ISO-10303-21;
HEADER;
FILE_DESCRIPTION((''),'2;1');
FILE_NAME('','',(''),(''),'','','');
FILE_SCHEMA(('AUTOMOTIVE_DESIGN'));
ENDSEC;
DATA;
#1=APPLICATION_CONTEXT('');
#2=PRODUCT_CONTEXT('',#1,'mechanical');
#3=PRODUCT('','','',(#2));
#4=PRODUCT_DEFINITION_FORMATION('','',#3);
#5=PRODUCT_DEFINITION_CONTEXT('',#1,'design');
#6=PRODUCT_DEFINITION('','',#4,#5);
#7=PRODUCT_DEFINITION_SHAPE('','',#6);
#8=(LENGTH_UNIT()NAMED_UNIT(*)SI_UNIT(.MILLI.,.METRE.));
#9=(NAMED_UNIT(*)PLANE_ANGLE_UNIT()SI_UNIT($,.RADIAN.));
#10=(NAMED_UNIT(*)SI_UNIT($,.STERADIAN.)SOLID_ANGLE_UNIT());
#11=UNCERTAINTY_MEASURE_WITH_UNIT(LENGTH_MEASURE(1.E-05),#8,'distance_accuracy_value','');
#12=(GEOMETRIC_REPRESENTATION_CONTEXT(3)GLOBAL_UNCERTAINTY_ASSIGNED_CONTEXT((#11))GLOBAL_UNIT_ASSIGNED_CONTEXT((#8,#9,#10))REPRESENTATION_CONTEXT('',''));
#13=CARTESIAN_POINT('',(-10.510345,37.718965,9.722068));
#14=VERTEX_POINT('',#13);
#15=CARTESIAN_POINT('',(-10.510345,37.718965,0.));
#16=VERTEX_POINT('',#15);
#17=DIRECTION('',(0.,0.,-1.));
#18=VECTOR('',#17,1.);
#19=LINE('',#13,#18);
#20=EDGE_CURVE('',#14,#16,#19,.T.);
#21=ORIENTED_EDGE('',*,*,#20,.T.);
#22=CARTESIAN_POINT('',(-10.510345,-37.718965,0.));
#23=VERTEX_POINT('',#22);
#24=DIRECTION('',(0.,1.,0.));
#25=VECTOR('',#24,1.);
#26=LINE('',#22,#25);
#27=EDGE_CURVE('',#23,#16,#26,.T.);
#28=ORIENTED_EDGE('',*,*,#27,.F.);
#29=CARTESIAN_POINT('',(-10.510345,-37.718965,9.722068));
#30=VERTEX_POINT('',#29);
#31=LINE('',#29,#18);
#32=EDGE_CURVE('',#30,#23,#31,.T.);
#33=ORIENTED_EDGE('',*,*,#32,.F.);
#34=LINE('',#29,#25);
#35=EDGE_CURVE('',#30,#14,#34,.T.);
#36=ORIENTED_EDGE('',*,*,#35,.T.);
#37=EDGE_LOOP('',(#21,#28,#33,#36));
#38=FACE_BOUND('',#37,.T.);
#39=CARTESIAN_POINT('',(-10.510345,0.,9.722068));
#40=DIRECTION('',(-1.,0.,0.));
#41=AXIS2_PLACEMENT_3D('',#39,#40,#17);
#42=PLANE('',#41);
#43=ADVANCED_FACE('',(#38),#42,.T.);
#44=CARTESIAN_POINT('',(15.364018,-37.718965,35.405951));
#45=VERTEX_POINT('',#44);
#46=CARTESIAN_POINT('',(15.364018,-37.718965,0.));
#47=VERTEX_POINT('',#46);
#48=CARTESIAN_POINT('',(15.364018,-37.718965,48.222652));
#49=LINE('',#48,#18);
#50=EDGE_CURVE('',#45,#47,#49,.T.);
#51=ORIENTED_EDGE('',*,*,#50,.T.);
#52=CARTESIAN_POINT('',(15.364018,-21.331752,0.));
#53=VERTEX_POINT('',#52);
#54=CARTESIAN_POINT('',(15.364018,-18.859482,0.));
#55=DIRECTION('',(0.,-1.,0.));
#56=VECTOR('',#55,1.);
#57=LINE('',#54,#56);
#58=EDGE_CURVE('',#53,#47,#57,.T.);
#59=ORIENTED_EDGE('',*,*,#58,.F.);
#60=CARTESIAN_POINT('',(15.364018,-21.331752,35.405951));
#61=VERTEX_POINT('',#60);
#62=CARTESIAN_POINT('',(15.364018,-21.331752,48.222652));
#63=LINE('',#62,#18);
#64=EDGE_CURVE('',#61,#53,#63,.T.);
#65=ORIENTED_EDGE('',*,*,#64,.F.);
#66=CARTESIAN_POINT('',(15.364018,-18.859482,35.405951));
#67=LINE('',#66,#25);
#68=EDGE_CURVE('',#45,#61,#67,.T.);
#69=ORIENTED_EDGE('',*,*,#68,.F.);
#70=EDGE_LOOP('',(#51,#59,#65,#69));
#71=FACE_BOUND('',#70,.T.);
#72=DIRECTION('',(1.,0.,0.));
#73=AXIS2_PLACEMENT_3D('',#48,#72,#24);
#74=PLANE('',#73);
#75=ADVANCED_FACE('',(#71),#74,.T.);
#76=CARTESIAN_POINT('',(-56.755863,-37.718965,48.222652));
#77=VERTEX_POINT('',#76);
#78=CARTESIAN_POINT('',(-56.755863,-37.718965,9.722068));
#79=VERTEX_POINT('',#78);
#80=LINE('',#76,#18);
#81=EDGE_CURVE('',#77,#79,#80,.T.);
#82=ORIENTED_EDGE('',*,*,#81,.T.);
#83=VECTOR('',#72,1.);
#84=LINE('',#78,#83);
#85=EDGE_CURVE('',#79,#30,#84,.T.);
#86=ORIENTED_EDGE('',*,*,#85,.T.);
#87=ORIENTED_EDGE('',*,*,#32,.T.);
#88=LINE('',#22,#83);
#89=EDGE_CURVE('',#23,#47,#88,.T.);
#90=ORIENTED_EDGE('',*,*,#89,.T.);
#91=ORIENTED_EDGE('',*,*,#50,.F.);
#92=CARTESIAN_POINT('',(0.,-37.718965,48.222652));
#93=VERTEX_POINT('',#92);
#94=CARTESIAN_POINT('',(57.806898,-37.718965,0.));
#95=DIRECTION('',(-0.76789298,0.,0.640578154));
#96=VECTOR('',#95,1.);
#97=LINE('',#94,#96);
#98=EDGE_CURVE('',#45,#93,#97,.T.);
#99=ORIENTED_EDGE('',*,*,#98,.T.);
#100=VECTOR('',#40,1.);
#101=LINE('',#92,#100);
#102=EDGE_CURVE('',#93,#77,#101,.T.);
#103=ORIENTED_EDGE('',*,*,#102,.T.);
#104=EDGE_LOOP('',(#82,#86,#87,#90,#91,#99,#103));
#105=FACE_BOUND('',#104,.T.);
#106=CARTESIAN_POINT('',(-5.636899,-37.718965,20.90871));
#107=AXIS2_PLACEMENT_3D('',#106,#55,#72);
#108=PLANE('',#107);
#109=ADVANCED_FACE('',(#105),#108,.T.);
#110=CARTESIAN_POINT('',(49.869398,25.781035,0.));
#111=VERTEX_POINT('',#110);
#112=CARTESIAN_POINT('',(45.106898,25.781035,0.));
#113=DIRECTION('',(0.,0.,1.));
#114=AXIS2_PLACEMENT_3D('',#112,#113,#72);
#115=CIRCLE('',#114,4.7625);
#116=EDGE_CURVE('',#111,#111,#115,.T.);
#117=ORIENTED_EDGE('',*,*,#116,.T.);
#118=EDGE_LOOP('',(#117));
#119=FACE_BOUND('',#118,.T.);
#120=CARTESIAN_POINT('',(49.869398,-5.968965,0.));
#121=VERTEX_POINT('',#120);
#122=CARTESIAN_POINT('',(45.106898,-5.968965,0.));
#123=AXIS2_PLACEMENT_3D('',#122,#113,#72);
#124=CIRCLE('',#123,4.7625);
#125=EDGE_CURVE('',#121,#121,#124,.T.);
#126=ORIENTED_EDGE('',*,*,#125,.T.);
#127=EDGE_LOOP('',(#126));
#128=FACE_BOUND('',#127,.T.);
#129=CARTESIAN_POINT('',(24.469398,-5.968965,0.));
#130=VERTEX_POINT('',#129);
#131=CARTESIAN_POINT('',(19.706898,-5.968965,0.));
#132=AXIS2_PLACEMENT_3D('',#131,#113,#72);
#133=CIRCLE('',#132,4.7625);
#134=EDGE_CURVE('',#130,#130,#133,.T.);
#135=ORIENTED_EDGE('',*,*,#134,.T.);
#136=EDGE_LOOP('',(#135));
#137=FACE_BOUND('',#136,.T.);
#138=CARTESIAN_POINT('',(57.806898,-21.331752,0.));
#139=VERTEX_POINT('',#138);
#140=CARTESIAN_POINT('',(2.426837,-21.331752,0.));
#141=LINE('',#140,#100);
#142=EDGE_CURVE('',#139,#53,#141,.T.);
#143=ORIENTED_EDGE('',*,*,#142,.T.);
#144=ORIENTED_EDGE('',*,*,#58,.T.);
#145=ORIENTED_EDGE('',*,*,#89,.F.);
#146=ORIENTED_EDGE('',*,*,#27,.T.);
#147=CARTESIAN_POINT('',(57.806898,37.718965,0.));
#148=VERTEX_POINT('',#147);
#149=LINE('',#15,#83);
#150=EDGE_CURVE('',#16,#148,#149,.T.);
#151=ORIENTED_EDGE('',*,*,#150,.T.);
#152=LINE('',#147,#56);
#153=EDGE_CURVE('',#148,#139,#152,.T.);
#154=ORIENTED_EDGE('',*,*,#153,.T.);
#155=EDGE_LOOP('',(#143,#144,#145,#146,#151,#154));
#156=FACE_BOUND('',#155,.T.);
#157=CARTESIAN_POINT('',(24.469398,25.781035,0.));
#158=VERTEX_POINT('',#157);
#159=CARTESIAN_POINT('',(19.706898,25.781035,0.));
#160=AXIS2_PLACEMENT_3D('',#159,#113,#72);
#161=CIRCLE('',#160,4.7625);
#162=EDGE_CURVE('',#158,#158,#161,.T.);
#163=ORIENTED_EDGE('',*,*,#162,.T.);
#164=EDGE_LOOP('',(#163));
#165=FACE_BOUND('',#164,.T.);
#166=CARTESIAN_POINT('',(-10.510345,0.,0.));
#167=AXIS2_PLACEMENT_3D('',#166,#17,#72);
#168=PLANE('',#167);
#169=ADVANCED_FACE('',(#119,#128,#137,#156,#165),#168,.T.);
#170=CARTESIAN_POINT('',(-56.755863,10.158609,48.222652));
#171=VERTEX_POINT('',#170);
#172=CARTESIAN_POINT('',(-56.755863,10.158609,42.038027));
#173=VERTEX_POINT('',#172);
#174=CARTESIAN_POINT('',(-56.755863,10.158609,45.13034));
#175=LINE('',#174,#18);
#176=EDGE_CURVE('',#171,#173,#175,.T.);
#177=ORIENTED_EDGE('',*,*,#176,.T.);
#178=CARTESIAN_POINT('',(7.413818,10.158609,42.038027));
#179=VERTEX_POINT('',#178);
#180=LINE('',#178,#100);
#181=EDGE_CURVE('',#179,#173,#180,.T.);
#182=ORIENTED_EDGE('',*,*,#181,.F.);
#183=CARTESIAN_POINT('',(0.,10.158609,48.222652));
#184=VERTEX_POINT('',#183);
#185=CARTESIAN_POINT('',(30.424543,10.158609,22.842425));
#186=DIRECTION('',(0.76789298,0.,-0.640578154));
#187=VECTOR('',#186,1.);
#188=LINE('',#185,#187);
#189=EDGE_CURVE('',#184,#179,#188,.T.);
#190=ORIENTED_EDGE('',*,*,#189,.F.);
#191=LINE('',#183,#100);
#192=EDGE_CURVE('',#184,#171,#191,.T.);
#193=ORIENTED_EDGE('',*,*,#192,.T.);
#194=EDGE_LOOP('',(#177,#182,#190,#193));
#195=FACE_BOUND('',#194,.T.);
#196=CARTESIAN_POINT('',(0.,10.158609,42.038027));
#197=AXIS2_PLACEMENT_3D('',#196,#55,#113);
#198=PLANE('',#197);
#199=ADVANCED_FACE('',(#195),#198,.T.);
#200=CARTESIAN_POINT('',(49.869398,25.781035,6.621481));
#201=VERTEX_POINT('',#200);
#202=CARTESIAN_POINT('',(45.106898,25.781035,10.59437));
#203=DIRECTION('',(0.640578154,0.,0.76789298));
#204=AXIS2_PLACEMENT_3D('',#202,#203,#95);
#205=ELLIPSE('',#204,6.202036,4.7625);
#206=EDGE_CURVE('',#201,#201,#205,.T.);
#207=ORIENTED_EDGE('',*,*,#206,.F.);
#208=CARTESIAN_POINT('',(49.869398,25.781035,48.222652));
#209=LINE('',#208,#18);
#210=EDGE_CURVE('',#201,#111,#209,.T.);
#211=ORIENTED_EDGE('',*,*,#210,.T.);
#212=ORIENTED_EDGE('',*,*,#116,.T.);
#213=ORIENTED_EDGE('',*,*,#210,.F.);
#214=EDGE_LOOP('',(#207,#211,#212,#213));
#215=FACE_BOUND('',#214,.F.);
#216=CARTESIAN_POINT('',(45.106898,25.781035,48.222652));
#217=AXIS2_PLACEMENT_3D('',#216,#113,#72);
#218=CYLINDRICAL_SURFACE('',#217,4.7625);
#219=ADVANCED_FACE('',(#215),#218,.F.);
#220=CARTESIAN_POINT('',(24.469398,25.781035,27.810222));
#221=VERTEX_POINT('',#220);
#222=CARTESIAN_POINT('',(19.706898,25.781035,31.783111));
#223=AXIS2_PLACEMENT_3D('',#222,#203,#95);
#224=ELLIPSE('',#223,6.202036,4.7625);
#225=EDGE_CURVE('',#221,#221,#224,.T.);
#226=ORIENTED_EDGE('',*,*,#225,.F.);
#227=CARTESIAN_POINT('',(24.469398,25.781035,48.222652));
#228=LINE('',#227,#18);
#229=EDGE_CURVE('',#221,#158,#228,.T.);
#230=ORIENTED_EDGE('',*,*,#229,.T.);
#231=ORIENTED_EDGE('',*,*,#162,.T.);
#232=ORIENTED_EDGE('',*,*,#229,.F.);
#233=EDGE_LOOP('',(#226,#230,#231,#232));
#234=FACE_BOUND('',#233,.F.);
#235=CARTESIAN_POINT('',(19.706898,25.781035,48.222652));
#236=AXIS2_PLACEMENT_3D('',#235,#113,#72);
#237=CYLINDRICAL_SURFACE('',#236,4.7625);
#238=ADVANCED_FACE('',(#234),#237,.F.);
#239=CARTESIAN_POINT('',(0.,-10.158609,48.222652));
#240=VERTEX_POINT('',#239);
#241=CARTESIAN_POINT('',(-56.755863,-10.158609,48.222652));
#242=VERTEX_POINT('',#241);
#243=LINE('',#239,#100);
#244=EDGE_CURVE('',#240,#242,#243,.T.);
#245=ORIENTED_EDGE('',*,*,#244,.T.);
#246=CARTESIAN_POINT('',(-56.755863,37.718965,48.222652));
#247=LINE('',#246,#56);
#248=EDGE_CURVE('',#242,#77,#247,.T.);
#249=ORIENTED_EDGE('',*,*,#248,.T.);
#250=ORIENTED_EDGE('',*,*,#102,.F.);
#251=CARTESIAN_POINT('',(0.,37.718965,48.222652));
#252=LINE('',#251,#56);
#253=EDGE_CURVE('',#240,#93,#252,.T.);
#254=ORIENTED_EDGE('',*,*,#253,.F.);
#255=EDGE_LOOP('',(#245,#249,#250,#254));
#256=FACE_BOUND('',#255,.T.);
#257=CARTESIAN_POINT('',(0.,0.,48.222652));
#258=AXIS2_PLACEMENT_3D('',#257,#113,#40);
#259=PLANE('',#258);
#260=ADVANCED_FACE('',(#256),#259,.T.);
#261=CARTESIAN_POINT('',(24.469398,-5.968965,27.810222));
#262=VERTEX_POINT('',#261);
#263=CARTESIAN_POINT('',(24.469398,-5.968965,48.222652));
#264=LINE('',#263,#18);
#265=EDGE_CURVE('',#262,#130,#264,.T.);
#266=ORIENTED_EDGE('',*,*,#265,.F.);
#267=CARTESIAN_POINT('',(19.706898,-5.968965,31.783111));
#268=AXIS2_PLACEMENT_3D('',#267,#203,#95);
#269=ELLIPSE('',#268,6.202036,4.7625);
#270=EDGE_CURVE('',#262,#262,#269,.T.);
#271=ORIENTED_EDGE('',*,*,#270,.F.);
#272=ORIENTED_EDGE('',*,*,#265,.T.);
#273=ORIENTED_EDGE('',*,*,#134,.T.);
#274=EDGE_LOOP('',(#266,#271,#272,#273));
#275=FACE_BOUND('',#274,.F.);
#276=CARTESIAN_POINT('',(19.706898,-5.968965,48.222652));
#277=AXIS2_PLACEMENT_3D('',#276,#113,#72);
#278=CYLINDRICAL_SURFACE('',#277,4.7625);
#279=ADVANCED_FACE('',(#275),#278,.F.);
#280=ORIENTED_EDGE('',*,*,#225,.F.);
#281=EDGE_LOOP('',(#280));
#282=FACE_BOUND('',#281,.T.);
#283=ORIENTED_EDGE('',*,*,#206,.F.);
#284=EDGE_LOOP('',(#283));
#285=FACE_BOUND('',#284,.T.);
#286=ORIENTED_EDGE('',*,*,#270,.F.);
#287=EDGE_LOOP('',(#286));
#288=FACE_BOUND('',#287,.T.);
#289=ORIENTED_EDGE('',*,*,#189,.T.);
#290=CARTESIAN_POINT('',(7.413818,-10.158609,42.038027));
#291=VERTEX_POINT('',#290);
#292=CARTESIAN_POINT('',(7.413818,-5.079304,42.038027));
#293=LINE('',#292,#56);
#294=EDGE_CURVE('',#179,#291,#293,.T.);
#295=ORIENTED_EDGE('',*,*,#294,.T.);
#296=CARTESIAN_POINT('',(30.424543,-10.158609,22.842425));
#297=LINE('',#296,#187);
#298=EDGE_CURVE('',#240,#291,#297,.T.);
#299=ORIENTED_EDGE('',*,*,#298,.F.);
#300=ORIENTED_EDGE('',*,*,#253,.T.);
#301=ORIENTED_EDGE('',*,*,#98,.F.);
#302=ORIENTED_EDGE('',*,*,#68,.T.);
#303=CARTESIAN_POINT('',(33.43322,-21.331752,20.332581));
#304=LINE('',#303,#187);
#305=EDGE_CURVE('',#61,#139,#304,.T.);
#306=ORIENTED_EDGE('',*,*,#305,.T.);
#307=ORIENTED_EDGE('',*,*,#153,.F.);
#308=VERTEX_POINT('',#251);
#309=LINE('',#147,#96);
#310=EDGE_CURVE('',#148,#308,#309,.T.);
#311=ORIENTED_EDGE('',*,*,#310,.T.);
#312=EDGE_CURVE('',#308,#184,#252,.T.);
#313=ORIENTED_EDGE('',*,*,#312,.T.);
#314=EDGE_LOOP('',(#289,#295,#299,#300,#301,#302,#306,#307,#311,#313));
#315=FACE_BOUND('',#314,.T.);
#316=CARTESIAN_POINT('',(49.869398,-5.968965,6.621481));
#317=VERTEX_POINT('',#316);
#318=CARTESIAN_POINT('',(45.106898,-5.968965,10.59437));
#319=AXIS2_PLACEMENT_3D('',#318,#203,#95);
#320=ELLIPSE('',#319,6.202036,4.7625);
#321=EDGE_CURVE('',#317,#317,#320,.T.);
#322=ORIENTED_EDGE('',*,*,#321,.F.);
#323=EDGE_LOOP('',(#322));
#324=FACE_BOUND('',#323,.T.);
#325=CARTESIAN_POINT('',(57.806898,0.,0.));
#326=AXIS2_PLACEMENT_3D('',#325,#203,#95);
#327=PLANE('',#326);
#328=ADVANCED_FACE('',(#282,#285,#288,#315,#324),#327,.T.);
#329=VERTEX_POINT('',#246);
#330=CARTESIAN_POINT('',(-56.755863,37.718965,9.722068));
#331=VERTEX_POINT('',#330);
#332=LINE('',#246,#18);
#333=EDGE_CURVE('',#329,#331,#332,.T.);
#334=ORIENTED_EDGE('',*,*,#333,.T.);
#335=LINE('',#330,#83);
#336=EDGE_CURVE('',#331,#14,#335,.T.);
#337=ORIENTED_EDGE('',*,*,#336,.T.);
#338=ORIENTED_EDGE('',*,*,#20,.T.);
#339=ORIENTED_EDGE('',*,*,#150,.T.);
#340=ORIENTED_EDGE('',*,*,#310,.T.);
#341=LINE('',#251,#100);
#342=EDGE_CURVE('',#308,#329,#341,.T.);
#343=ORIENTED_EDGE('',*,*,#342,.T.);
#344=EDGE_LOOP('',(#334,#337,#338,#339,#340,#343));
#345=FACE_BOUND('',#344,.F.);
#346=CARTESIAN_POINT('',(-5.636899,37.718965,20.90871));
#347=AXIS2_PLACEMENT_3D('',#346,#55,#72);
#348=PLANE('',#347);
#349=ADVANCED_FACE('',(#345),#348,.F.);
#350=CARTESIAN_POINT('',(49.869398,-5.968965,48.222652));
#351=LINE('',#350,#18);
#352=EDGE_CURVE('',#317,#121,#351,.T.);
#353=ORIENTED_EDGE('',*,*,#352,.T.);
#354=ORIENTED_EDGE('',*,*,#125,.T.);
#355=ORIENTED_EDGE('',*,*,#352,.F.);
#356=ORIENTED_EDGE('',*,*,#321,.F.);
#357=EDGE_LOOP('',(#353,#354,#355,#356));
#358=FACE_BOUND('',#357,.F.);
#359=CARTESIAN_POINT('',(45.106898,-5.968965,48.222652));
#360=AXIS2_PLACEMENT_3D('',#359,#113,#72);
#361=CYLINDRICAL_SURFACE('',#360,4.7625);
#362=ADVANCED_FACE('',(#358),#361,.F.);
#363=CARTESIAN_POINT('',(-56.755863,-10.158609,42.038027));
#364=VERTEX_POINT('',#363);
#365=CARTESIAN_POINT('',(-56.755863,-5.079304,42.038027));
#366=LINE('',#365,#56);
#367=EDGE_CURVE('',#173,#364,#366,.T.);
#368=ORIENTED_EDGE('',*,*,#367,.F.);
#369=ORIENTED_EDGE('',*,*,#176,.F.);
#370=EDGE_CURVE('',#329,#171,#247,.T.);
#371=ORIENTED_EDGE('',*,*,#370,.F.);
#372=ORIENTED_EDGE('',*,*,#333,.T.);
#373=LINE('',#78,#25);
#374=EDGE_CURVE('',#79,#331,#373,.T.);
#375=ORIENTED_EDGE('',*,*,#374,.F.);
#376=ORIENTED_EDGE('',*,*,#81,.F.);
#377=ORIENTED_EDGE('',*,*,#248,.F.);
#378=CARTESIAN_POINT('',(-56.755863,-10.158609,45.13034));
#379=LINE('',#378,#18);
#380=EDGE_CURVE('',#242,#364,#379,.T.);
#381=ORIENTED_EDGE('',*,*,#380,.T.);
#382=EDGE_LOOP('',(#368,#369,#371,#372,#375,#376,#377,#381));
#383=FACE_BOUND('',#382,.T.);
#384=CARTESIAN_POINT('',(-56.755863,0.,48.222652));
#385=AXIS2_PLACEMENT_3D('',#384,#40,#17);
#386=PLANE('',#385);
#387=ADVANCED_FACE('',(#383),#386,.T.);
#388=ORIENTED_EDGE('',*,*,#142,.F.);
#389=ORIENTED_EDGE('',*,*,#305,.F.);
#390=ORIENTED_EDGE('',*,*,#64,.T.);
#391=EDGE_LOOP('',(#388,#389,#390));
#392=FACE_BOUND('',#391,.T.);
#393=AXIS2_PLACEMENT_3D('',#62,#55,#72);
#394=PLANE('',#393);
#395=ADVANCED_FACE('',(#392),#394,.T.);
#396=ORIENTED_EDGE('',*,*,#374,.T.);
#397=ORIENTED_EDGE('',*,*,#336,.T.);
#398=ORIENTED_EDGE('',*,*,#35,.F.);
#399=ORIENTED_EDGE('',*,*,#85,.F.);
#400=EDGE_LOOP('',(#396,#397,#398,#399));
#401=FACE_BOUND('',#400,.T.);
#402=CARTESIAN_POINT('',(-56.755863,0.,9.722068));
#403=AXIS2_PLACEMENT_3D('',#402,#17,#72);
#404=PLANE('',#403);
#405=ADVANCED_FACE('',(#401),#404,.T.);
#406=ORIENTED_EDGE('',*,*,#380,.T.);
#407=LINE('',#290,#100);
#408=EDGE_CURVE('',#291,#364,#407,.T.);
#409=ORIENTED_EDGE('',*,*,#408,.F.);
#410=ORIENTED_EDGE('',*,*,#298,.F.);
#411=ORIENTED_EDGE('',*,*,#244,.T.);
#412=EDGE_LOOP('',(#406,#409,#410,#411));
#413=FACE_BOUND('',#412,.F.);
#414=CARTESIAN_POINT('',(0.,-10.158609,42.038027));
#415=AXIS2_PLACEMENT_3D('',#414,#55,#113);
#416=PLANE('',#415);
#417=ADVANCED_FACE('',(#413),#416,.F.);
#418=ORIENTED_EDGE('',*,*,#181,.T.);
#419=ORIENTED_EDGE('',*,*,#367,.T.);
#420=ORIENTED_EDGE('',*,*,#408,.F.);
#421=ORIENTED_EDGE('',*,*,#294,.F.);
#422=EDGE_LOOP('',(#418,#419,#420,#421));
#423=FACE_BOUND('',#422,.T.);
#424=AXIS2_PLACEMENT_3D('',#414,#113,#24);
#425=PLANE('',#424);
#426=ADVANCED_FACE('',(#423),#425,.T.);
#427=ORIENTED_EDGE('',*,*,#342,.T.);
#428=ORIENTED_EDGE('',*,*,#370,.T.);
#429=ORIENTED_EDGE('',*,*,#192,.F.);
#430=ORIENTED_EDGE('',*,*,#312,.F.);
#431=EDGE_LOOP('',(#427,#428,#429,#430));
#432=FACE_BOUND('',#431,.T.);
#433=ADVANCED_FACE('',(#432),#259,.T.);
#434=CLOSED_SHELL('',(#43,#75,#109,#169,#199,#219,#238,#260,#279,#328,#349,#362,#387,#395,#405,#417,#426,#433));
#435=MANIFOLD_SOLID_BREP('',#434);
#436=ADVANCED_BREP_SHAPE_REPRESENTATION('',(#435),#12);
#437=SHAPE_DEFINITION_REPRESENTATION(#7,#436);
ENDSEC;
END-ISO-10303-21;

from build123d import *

# Parameters (mm, degrees)
F1_DEPTH      = 37.718965
F2_W          = 42.4428796396
F2_H          = 16.3872130215
F3_DEPTH      = 48.2236520451
F4_W          = 20.3172173351
F4_H          = 6.184624848
F5_DEPTH      = 56.7568631301
F5_DEPTH_BACK = 57.8078979084
F6_R          = 4.7625
F7_DEPTH      = 48.2236520451


with BuildPart() as f1:
    # F0 (on Front) → F1 (new body, symmetric)
    with BuildSketch(Plane.XZ):
        Polygon((-10.5103449896, 0), (57.8068979084, 0), (0, 48.2226520451), (-56.7558631301, 48.2226520451), (-56.7558631301, 9.7220684111), (-10.5103449896, 9.7220684111), align=None)
    extrude(amount=F1_DEPTH, both=True)

    # F2 (on face) → F3 (cut, through all)
    with BuildSketch(Plane.XY.offset(48.2226520451)):
        with Locations((36.5854580887, -29.5253584892)):
            Rectangle(F2_W, F2_H)
    extrude(amount=-F3_DEPTH, mode=Mode.SUBTRACT)

    # F4 (on Right) → F5 (cut, two sides)
    with BuildSketch(Plane.YZ) as f5_sk:
        with Locations((0, 45.1303396211)):
            Rectangle(F4_W, F4_H)
    extrude(amount=-F5_DEPTH, mode=Mode.SUBTRACT)
    extrude(f5_sk.sketch, amount=F5_DEPTH_BACK, mode=Mode.SUBTRACT)

    # F6 (on face) → F7 (cut, through all)
    with BuildSketch(Plane.XY.offset(48.2226520451)):
        with Locations((45.1068979084, 25.781035)):
            Circle(F6_R)
        with Locations((19.7068979084, 25.781035)):
            Circle(F6_R)
        with Locations((19.7068979084, -5.968965)):
            Circle(F6_R)
        with Locations((45.1068979084, -5.968965)):
            Circle(F6_R)
    extrude(amount=-F7_DEPTH, mode=Mode.SUBTRACT)


solid = f1.part
